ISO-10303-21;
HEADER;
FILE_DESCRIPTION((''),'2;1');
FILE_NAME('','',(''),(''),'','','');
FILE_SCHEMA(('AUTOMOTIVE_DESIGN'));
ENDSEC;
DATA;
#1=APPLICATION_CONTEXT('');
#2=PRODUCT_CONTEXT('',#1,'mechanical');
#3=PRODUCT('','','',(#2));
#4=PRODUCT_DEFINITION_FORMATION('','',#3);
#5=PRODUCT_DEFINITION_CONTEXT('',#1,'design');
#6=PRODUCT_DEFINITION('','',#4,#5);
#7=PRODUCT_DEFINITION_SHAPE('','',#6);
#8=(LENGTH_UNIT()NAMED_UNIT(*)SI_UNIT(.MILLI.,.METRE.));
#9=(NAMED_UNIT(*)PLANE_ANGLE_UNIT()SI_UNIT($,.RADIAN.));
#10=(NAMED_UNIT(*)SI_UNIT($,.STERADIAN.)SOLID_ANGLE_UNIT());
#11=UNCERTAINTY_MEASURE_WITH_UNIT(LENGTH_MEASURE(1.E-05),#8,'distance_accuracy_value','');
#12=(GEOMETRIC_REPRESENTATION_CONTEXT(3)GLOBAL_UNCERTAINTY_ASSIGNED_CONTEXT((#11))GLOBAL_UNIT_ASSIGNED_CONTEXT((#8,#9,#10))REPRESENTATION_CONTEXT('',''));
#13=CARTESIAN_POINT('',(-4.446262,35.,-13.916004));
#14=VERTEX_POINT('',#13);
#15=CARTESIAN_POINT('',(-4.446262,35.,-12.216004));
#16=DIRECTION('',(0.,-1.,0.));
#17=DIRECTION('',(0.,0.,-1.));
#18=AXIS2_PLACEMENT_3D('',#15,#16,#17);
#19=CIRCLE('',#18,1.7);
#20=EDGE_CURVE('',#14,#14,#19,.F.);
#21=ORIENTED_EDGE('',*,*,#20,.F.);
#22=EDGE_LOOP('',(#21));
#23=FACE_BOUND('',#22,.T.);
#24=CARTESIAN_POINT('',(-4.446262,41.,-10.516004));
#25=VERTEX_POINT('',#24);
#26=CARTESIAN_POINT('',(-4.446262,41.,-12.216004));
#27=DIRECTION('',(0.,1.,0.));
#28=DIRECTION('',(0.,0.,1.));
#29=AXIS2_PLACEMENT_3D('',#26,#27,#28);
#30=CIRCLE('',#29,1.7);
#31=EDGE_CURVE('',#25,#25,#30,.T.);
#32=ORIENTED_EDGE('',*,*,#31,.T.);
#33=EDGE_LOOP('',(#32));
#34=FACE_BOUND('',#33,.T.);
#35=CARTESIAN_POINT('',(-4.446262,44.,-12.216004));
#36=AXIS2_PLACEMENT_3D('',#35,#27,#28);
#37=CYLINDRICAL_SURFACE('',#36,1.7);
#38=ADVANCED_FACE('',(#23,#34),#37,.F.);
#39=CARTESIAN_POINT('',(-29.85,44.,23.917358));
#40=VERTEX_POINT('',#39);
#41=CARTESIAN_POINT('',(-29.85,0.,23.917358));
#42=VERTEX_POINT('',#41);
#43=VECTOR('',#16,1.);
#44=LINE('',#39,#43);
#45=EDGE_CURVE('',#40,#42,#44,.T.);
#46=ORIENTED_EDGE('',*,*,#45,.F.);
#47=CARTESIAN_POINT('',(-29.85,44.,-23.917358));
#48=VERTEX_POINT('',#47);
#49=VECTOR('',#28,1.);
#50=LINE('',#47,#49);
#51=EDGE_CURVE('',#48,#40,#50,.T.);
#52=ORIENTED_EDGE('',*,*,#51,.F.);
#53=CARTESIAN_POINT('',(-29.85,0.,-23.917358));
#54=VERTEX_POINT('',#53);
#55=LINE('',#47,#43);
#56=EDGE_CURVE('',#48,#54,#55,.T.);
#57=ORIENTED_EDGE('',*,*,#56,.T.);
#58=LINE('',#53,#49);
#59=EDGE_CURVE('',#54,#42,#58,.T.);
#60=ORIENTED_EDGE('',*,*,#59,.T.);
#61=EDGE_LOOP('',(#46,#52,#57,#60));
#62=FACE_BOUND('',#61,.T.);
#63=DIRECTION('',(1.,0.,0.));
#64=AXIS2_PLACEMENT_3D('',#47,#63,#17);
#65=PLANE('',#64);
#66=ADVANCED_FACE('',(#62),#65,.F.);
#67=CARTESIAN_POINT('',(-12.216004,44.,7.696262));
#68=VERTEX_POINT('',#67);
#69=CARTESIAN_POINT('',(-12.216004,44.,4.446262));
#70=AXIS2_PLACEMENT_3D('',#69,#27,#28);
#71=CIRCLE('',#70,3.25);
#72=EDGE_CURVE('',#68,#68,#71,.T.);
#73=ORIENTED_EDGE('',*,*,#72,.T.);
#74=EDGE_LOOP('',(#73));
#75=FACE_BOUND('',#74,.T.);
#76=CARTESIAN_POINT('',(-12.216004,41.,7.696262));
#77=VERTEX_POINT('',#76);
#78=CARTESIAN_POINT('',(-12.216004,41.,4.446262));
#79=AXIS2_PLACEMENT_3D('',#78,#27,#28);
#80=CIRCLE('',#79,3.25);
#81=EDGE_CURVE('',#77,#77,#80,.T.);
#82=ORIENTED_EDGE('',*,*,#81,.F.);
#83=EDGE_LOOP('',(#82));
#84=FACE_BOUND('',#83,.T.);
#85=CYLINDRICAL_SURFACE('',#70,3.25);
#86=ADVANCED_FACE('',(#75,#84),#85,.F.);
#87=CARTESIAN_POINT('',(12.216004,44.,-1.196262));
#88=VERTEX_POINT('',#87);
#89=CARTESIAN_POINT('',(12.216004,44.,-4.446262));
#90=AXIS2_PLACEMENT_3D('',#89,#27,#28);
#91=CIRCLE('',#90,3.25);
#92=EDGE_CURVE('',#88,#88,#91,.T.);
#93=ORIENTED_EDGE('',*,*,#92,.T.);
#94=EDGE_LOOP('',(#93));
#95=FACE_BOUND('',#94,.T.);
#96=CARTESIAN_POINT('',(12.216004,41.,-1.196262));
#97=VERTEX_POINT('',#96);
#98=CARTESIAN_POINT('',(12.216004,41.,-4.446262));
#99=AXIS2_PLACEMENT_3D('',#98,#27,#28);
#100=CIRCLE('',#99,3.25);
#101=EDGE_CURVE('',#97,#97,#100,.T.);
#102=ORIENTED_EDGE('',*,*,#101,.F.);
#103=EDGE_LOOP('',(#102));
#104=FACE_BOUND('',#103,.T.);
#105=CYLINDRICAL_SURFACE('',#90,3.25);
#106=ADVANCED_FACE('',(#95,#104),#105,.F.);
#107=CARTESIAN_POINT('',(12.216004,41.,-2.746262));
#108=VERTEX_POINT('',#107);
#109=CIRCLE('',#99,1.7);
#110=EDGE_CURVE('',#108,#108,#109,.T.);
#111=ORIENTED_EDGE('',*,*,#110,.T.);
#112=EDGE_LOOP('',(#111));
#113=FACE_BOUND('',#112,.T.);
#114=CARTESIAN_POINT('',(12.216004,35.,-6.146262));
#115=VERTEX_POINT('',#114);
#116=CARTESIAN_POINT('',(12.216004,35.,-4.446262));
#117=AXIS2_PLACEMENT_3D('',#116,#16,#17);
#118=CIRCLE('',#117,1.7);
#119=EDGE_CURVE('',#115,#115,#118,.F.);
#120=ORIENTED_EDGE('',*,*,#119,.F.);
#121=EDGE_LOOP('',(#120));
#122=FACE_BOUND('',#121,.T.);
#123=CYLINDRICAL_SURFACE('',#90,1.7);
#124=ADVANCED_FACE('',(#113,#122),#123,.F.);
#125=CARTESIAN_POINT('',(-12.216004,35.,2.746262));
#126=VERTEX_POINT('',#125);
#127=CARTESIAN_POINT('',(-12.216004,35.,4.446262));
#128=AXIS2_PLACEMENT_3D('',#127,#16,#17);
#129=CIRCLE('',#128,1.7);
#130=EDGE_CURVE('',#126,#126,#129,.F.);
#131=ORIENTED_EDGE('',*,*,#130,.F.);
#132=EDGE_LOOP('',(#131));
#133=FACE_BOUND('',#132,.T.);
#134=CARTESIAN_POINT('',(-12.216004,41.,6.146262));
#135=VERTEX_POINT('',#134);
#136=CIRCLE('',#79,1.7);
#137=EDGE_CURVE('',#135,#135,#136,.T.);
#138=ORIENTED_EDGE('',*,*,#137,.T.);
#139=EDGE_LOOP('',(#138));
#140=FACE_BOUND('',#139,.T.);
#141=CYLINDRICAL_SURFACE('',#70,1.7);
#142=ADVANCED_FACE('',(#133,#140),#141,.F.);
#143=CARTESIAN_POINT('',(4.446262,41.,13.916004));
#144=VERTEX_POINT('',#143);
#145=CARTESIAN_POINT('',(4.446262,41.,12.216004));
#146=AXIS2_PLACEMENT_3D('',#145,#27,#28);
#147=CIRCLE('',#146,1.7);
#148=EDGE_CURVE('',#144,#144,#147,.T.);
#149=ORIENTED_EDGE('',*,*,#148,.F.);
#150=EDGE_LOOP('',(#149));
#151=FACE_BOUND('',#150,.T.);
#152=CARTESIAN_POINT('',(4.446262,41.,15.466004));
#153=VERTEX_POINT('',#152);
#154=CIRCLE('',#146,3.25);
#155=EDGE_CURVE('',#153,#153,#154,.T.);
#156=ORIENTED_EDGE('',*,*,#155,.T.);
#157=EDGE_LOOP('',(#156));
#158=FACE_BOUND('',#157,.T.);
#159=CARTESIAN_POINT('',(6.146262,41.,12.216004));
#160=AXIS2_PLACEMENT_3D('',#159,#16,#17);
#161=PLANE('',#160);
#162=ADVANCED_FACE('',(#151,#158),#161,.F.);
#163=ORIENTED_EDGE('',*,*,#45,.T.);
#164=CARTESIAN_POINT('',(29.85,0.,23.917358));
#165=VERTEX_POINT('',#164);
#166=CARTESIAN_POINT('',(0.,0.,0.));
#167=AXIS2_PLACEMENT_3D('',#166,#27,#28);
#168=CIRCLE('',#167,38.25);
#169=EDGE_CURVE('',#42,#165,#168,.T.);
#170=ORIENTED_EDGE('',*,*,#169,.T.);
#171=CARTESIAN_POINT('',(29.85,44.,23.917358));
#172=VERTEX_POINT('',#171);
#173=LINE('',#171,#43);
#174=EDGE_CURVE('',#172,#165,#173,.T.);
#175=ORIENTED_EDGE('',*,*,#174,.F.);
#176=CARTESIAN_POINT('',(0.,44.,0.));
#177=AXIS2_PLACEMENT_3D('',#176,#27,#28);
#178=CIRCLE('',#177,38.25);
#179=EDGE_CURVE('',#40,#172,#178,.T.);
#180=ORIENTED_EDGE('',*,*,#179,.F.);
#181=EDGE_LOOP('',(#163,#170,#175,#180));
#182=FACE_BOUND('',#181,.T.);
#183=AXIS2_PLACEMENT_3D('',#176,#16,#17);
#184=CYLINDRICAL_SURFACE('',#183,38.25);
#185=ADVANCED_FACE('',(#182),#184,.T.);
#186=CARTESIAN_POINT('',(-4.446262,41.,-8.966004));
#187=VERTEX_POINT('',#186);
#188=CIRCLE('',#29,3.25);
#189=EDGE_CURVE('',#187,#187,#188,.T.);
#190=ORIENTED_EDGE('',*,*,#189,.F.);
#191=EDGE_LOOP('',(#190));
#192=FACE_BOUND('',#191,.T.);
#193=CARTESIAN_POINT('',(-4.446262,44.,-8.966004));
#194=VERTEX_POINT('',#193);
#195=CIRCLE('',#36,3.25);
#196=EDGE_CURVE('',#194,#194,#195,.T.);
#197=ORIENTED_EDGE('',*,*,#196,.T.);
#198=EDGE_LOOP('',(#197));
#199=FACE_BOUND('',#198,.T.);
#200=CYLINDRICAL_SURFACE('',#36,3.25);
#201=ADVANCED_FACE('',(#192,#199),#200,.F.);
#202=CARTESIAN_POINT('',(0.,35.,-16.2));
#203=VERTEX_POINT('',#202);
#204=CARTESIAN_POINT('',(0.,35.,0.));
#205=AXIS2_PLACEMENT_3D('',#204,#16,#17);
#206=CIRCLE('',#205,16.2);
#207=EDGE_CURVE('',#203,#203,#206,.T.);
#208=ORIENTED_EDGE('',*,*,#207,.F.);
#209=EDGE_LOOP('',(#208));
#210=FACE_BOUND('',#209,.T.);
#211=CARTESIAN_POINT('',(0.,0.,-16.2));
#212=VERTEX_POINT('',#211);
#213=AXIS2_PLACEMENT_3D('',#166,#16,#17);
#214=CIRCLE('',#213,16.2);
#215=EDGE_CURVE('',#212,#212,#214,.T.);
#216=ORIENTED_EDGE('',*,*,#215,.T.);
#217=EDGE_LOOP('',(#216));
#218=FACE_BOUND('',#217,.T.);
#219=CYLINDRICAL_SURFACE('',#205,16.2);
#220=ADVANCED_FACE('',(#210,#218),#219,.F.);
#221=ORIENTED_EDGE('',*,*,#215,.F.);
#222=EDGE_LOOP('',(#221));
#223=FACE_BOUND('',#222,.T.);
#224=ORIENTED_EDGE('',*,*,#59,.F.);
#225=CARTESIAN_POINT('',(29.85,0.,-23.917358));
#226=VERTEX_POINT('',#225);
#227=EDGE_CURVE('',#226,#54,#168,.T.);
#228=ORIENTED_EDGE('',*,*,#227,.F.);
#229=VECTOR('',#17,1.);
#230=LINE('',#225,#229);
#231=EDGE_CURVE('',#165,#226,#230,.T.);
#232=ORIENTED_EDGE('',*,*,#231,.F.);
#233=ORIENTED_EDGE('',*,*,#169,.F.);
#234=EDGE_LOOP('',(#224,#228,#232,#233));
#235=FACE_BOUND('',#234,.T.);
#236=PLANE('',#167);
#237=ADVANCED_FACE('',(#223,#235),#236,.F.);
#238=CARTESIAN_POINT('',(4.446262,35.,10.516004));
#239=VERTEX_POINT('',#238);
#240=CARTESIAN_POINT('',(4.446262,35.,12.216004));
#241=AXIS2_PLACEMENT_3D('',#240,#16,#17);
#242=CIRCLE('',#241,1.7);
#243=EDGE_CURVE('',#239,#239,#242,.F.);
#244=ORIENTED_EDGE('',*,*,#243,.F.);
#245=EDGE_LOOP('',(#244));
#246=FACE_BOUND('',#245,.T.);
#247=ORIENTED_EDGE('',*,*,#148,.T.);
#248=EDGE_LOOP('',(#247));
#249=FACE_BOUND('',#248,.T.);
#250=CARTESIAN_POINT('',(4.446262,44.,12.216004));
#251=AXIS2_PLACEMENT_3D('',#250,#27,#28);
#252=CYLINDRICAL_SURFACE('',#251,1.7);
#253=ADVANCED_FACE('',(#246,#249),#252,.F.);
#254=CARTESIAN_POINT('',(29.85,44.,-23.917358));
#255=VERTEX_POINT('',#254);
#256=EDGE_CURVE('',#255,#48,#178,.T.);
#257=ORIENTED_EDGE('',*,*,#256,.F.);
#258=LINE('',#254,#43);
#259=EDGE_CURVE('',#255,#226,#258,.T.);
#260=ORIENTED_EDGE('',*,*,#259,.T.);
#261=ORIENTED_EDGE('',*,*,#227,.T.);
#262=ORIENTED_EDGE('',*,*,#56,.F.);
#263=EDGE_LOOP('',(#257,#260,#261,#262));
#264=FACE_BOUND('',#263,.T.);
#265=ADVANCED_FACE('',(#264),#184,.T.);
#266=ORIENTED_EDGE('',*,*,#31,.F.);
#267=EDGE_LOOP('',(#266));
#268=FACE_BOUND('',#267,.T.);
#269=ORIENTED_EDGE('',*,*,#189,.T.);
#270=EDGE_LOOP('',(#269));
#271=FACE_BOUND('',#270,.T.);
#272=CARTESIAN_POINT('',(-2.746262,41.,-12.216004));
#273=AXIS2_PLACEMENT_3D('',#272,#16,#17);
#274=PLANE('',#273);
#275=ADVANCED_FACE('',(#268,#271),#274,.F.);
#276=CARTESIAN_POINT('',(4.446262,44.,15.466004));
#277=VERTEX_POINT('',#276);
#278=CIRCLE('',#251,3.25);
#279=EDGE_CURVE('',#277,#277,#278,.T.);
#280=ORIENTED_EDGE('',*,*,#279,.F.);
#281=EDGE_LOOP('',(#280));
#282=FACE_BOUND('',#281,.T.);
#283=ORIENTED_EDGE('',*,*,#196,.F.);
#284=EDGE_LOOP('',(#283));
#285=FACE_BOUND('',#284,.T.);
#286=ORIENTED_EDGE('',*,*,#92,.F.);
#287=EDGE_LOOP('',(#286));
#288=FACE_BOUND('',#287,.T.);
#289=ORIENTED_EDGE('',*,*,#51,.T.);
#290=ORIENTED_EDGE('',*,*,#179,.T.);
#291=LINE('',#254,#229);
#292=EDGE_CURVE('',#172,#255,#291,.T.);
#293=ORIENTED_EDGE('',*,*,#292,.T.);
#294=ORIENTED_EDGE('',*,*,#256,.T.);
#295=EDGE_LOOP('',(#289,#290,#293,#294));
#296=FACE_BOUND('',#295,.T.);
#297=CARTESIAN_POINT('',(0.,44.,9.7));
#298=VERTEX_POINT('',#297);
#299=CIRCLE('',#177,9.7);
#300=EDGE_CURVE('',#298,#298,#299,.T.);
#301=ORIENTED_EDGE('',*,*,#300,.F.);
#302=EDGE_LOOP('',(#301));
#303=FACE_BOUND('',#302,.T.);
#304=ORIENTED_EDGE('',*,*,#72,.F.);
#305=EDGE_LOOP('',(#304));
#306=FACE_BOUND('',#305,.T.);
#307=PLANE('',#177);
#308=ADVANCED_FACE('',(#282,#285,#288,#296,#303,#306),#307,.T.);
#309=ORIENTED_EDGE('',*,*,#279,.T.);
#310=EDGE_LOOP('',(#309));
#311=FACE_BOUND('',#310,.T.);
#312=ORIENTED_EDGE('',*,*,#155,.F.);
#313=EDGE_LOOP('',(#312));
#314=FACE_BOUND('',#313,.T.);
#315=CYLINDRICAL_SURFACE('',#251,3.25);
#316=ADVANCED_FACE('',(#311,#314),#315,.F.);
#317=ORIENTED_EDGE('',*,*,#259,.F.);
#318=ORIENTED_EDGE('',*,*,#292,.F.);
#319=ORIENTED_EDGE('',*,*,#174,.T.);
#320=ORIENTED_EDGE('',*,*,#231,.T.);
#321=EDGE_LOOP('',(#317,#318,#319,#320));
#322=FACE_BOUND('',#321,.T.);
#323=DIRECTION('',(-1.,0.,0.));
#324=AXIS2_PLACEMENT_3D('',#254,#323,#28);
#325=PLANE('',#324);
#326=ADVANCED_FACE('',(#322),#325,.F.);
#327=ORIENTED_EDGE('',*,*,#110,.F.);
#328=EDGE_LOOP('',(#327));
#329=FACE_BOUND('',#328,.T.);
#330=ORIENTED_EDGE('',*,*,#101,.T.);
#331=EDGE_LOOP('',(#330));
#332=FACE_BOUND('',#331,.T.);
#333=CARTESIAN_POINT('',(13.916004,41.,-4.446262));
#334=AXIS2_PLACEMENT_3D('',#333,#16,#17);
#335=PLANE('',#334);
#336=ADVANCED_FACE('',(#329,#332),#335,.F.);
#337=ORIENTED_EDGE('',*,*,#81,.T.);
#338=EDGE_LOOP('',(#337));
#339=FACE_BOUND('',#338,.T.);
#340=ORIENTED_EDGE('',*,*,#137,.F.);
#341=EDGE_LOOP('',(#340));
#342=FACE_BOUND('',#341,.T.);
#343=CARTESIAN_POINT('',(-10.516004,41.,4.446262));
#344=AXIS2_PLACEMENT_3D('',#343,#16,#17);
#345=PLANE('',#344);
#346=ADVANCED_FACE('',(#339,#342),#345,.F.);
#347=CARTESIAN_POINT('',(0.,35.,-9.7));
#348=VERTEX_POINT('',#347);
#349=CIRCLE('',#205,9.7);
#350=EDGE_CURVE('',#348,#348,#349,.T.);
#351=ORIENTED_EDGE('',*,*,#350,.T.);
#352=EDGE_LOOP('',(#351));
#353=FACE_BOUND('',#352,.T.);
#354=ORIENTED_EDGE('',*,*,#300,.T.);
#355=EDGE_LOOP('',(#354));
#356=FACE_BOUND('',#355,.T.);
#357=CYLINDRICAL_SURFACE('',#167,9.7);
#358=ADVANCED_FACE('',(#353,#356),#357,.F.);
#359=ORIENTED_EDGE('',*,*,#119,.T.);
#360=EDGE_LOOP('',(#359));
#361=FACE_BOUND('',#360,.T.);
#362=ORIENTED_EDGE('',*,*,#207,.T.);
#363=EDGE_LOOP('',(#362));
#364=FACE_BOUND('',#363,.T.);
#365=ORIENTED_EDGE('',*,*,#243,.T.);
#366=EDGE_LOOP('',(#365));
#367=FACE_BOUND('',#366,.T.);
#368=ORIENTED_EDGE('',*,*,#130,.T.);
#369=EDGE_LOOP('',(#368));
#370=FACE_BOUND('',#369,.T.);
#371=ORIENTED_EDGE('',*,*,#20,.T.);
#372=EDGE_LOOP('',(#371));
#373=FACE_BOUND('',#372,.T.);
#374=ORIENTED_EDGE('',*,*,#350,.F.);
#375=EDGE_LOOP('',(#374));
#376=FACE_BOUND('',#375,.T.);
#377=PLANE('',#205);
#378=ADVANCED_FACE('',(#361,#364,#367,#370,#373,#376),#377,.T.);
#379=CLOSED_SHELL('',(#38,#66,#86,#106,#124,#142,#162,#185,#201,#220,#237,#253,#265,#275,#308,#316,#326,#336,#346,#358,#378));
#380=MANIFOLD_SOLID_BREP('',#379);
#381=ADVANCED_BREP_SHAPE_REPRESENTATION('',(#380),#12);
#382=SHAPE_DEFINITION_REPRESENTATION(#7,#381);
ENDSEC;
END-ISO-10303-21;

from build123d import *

# Parameters (mm, degrees)
BOSS_EXTRUDE1_DEPTH            = 44
CBORE_FOR_M3_SHCS1_D           = 3.4
CBORE_FOR_M3_SHCS1_CBORE_D     = 6.5
CBORE_FOR_M3_SHCS1_CBORE_DEPTH = 3
CIRPATTERN1_COUNT              = 4
SKETCH4_R                      = 16.2
CUT_EXTRUDE1_DEPTH             = 35
SKETCH5_R                      = 9.7
CUT_EXTRUDE2_DEPTH             = 66.498740446


with BuildPart() as part:
    # Sketch1 → Boss-Extrude1 (new body)
    with BuildSketch(Plane(origin=(0, 0, 0), x_dir=(1, 0, 0), z_dir=(0, 1, 0))):
        with BuildLine():
            Line((-29.85, 23.917357714), (-29.85, -23.917357714))
            ThreePointArc((-29.85, -23.917357714), (0, -38.25), (29.85, -23.917357714))
            Line((29.85, -23.917357714), (29.85, 23.917357714))
            ThreePointArc((29.85, 23.917357714), (0, 38.25), (-29.85, 23.917357714))
        make_face()
    extrude(amount=BOSS_EXTRUDE1_DEPTH)

    # CBORE for M3 SHCS1 (through all)
    with Locations(Plane(origin=(0, 44, 0), x_dir=(1, 0, 0), z_dir=(0, 1, 0))):
        with Locations((-4.446261863, 12.21600407)):
            cbore_for_m3_shcs1 = CounterBoreHole(CBORE_FOR_M3_SHCS1_D / 2, CBORE_FOR_M3_SHCS1_CBORE_D / 2, CBORE_FOR_M3_SHCS1_CBORE_DEPTH)

    # CirPattern1: CBORE for M3 SHCS1 ×4 about axis
    cirpattern1_axis = Axis((0, 44, 0), (0, -1, 0))
    for i in range(1, CIRPATTERN1_COUNT):
        add(cbore_for_m3_shcs1.rotate(cirpattern1_axis, i * 360 / CIRPATTERN1_COUNT), mode=Mode.SUBTRACT)

    # Sketch4 → Cut-Extrude1 (cut)
    with BuildSketch(Plane.XZ):
        Circle(SKETCH4_R)
    extrude(amount=-CUT_EXTRUDE1_DEPTH, mode=Mode.SUBTRACT)

    # Sketch5 → Cut-Extrude2 (cut, through all)
    with BuildSketch(Plane(origin=(0, 44, 0), x_dir=(1, 0, 0), z_dir=(0, 1, 0))):
        Circle(SKETCH5_R)
    extrude(amount=-CUT_EXTRUDE2_DEPTH, mode=Mode.SUBTRACT)


solid = part.part
